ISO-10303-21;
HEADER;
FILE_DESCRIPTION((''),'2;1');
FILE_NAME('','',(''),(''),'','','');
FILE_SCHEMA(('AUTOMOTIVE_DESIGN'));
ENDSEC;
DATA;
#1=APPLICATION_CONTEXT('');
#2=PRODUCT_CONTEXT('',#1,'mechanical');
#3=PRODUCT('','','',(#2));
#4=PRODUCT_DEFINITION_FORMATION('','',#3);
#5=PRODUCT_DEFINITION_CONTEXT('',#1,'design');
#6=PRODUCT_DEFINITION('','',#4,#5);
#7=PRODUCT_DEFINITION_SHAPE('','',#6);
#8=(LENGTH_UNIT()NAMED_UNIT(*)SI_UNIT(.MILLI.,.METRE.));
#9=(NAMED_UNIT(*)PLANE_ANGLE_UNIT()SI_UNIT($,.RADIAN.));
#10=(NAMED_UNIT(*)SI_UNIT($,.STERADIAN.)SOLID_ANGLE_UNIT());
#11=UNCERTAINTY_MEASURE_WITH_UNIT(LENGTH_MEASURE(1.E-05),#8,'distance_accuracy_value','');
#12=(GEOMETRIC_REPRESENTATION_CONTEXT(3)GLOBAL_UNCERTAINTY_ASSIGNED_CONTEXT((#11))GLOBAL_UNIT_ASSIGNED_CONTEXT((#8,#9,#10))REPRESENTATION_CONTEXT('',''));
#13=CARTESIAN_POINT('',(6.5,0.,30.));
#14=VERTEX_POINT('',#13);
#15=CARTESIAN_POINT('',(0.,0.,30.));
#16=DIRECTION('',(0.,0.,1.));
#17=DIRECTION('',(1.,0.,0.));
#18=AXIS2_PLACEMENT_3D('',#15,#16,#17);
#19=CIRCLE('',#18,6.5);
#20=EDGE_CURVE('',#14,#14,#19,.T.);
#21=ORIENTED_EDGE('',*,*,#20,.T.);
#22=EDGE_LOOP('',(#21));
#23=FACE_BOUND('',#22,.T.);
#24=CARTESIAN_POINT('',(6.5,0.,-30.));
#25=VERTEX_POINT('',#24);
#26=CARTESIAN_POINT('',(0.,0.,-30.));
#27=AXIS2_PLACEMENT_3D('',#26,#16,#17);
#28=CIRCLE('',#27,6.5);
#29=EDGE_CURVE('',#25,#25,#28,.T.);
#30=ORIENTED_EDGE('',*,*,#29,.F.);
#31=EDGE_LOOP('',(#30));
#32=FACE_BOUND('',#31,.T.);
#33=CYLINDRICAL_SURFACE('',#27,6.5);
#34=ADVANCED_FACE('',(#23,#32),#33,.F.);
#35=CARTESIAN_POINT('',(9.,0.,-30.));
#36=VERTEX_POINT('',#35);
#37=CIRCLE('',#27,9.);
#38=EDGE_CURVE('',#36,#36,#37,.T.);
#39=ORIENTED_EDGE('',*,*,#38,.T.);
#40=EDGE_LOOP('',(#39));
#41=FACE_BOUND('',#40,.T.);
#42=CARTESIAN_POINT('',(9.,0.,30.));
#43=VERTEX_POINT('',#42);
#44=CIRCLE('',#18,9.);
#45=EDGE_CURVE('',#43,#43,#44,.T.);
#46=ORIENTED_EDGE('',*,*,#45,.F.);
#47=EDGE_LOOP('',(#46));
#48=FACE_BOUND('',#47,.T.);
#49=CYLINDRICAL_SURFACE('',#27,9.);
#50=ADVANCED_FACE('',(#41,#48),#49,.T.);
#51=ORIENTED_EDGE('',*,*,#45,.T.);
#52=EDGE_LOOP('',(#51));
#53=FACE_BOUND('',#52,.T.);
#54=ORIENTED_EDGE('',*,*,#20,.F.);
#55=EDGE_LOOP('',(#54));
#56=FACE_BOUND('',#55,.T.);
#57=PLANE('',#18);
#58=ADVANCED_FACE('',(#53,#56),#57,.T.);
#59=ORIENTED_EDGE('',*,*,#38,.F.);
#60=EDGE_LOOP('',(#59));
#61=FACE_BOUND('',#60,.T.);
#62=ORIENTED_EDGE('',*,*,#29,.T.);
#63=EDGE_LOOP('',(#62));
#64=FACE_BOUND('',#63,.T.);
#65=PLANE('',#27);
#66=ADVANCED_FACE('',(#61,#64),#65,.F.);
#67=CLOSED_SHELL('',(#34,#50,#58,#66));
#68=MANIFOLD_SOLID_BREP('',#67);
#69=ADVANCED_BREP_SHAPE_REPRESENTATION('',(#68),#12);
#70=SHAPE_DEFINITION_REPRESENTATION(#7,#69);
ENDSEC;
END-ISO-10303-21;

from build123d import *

# Parameters (mm, degrees)
BOSS_EXTRUDE1_DEPTH      = 30
BOSS_EXTRUDE1_DEPTH_BACK = 30
SKETCH1_R                = 9
SKETCH1_R_2              = 6.5


with BuildPart() as part:
    # Sketch1 → Boss-Extrude1 (new, two sides: drawn at the far end of the back side and taken through both)
    with BuildSketch(Plane.XY.offset(-BOSS_EXTRUDE1_DEPTH_BACK)):
        Circle(SKETCH1_R)
        Circle(SKETCH1_R_2, mode=Mode.SUBTRACT)
    extrude(amount=BOSS_EXTRUDE1_DEPTH + BOSS_EXTRUDE1_DEPTH_BACK)


solid = part.part
